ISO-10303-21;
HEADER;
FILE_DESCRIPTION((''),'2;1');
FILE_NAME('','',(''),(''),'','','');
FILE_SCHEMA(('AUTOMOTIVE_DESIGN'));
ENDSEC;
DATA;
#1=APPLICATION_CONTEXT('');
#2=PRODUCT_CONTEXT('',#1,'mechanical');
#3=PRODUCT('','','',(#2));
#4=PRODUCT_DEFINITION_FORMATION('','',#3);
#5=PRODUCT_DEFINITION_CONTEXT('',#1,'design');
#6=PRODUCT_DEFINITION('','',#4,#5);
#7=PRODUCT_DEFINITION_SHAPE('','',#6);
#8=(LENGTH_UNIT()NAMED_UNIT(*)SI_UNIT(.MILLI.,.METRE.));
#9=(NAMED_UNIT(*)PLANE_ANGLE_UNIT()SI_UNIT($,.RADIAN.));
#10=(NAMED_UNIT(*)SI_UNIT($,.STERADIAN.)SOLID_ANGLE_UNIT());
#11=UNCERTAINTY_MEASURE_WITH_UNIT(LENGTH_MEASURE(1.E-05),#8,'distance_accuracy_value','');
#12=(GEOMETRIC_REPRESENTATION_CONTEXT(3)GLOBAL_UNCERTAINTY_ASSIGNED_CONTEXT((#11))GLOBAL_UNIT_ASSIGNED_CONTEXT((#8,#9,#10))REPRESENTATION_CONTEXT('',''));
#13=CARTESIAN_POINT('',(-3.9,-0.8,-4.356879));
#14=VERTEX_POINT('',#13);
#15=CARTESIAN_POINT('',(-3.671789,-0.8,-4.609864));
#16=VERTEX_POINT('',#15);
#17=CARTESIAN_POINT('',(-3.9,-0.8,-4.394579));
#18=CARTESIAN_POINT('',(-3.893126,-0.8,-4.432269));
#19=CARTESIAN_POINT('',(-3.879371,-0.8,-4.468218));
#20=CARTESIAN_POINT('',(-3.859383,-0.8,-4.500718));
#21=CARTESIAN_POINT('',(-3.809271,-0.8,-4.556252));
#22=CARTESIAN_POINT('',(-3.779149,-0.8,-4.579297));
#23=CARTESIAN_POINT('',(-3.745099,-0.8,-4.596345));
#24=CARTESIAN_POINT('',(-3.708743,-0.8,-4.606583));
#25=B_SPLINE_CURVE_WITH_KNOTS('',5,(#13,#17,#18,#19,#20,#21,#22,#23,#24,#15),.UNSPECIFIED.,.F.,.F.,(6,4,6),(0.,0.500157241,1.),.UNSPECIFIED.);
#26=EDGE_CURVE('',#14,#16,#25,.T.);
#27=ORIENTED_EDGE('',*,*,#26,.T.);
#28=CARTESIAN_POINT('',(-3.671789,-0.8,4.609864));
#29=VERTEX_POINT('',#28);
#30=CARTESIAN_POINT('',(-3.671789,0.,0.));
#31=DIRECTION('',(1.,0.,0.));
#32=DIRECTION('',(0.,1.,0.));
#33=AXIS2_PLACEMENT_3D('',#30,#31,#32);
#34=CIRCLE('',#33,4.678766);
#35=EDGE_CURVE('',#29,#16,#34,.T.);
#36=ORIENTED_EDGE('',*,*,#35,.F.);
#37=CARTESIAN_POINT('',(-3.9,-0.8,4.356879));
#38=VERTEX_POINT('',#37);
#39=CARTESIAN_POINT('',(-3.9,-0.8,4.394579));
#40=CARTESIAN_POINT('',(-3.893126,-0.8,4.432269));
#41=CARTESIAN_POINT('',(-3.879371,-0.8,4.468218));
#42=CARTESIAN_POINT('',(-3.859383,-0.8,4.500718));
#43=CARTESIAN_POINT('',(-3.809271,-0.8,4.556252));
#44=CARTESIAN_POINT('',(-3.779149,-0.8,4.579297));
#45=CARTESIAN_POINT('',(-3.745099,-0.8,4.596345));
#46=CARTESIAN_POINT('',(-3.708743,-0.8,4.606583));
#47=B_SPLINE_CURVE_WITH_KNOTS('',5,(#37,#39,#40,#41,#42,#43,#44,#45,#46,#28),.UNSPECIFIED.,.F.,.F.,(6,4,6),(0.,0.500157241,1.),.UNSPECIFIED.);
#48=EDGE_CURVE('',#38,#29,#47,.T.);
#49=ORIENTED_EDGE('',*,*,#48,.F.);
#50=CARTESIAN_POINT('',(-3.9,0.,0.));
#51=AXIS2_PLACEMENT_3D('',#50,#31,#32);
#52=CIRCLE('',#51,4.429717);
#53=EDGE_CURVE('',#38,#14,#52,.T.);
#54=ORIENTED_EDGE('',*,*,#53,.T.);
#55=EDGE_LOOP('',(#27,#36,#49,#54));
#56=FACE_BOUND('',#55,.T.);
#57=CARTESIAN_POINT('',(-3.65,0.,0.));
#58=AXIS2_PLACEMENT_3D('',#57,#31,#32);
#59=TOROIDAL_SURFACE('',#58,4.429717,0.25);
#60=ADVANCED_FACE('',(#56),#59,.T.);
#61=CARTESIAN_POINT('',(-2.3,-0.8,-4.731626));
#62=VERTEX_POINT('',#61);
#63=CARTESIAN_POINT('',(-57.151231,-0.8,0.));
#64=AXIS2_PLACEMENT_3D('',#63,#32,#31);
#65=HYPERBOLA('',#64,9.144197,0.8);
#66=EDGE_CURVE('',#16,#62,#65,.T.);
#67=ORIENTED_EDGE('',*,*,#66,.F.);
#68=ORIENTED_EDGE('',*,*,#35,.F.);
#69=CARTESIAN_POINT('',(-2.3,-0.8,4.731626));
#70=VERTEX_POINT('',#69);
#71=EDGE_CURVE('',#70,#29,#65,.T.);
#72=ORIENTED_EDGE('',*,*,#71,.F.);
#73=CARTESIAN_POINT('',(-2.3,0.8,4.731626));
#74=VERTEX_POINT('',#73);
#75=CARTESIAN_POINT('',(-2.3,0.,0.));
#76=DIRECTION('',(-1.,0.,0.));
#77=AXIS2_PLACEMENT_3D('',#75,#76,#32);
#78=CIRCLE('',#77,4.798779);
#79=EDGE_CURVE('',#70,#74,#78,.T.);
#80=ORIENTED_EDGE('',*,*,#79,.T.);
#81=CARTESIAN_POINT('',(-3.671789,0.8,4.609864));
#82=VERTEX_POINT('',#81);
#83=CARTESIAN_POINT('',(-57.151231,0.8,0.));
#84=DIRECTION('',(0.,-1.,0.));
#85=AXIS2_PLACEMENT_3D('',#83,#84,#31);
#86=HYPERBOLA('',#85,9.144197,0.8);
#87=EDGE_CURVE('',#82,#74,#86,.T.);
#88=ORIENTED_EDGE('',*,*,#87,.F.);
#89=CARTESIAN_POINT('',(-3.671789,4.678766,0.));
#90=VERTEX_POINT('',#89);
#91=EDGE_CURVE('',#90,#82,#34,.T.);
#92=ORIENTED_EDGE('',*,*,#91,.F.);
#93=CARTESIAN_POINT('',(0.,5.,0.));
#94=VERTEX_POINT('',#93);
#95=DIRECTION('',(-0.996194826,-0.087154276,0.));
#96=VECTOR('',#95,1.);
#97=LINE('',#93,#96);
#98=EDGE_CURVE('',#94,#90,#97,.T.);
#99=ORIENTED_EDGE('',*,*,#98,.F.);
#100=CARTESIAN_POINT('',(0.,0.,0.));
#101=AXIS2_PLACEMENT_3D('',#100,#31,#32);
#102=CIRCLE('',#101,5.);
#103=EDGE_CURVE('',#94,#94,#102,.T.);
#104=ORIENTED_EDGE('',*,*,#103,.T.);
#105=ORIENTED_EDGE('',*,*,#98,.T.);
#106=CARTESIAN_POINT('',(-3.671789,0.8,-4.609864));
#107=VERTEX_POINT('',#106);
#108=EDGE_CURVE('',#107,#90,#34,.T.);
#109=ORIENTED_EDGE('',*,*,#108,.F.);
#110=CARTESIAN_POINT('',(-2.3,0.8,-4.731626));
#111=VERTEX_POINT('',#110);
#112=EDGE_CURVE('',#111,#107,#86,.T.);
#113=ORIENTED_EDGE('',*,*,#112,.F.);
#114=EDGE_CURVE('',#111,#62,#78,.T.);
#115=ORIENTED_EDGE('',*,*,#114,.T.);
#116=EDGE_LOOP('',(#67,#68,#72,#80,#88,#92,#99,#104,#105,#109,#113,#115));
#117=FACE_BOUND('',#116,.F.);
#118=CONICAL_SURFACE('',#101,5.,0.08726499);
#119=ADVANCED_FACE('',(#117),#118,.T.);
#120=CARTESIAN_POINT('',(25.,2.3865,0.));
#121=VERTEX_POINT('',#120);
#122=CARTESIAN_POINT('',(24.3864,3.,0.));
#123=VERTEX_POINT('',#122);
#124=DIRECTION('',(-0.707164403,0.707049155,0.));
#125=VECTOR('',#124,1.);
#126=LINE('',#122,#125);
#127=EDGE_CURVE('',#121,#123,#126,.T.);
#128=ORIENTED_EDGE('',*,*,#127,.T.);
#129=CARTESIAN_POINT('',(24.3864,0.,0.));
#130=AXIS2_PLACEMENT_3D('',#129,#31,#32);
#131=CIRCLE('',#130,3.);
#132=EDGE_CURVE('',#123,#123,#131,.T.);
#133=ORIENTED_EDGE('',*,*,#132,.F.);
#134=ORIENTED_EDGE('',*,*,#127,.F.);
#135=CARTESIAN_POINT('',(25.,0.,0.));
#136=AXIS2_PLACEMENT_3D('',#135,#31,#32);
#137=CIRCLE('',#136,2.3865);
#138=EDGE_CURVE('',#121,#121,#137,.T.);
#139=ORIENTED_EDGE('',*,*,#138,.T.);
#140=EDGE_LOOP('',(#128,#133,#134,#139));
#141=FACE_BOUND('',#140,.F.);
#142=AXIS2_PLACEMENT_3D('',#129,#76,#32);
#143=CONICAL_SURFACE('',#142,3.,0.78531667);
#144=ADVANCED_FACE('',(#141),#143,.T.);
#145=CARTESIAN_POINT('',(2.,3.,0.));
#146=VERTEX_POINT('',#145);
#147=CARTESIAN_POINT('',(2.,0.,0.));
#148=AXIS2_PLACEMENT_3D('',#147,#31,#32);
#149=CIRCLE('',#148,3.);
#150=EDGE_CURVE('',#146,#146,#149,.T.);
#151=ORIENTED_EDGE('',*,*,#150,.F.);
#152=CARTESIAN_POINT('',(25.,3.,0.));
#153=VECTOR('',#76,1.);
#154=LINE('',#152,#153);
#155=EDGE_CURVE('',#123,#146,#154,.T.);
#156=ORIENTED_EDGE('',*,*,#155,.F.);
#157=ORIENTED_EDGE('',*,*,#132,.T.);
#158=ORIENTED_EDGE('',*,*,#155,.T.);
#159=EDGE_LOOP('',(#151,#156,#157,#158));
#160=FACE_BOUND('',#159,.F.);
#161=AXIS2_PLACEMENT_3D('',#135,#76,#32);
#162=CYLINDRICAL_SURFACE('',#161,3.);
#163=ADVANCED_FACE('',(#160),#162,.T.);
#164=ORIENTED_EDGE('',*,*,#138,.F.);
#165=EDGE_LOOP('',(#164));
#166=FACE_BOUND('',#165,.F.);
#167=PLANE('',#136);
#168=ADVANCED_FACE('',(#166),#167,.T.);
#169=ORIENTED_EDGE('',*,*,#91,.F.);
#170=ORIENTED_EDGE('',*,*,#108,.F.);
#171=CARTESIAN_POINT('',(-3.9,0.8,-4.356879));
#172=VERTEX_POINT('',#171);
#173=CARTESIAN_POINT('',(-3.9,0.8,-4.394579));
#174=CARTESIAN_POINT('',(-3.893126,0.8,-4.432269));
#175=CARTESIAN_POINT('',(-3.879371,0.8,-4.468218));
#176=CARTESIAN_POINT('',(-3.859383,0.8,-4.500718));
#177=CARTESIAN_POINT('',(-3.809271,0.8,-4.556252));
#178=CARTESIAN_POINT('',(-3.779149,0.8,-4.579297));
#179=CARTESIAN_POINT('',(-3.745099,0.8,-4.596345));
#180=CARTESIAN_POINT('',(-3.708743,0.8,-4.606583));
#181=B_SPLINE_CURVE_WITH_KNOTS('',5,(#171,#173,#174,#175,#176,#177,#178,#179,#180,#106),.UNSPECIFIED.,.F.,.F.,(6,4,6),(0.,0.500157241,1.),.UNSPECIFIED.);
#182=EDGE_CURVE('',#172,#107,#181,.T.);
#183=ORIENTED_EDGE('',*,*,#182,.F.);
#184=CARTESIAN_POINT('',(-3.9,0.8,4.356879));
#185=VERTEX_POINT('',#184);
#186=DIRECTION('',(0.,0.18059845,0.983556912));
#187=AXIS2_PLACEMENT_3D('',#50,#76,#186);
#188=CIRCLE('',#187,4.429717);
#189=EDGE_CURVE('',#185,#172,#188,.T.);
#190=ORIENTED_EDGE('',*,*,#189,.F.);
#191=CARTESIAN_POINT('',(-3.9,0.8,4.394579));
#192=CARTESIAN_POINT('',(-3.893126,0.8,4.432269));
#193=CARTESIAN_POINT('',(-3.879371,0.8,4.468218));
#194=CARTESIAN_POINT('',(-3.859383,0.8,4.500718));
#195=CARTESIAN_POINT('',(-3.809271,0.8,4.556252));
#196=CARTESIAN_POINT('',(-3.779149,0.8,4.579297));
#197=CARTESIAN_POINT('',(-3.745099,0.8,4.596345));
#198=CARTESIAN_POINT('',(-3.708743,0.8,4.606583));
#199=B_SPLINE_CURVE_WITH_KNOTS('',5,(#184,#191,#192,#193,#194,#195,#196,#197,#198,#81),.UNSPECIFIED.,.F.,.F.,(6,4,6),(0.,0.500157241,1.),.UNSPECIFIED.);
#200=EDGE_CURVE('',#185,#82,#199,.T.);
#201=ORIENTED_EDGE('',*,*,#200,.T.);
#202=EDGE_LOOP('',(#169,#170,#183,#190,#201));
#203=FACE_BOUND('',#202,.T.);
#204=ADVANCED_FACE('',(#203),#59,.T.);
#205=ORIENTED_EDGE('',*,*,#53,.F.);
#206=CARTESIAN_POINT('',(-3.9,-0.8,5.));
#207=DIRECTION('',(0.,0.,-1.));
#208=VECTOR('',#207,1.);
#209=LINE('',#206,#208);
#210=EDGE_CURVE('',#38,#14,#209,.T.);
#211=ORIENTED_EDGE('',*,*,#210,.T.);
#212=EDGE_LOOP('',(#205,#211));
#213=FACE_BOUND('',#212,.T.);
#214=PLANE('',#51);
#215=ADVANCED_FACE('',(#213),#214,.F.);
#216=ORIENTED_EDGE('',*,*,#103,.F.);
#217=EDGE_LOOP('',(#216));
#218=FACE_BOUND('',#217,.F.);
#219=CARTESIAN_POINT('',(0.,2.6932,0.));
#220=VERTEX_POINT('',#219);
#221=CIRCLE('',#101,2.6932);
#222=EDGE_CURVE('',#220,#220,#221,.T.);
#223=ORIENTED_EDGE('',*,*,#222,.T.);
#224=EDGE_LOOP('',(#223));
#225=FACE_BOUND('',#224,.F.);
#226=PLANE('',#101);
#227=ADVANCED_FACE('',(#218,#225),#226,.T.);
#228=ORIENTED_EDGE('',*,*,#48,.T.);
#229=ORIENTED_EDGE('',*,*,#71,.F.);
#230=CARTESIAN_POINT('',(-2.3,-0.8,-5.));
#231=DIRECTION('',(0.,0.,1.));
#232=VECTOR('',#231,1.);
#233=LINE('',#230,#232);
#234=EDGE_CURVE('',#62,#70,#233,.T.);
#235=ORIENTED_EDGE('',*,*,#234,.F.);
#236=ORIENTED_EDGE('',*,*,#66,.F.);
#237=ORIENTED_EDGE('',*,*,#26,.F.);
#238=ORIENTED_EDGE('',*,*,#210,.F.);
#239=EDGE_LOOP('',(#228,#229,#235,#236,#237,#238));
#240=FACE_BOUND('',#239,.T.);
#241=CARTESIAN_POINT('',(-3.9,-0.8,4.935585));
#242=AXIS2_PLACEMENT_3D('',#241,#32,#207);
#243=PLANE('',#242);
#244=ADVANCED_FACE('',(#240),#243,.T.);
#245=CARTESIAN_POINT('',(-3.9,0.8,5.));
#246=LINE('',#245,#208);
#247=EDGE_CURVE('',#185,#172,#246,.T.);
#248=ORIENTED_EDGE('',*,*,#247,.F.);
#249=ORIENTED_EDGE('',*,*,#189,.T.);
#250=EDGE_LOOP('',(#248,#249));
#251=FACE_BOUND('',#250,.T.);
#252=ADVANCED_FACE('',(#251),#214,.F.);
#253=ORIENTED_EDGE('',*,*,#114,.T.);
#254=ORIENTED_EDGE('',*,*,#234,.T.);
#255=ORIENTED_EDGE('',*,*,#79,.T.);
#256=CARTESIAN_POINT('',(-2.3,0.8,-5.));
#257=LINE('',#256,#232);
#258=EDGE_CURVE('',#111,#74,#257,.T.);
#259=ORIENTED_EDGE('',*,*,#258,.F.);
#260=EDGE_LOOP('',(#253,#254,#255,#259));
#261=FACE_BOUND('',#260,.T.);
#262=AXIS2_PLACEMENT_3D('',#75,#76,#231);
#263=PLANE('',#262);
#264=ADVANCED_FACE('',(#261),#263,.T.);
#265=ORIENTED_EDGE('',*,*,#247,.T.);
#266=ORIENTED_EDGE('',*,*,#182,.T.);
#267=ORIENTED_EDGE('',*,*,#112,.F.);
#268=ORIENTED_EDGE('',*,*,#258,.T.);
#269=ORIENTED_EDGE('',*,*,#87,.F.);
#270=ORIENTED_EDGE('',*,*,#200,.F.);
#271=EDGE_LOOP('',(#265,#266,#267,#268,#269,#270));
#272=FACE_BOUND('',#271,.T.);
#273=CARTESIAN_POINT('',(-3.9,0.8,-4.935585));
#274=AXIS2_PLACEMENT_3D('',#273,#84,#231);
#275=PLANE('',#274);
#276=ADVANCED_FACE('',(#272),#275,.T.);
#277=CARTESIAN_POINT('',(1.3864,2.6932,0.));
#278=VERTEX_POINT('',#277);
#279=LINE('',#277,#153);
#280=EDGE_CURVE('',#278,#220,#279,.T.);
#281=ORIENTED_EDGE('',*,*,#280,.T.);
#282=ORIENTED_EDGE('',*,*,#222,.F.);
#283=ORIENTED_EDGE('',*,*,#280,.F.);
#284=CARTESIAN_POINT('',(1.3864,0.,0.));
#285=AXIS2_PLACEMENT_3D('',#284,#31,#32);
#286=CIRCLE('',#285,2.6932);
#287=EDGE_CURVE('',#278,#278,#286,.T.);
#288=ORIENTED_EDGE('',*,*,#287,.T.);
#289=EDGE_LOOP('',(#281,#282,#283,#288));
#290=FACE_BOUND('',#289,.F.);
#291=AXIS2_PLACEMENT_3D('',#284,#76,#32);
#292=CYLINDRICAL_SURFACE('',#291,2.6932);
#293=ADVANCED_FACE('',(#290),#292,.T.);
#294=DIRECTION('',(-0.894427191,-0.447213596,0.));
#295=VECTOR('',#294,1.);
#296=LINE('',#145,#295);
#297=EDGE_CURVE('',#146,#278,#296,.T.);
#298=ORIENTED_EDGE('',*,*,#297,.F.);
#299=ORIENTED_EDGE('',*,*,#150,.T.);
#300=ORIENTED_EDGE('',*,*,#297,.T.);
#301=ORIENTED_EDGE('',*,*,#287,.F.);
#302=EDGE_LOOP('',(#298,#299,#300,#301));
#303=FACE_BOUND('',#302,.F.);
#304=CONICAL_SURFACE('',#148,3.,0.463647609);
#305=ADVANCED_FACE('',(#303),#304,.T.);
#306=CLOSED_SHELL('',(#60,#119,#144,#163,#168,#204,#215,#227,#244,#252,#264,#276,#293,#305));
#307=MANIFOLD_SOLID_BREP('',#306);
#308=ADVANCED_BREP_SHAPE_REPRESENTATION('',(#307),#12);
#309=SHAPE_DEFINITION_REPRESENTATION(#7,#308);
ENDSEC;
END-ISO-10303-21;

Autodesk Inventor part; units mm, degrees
ref_plane "YZ Plane" through (0, 0, 0) normal (1, 0, 0) x (0, 1, 0)
ref_plane "XZ Plane" through (0, 0, 0) normal (0, 1, 0) x (-1, 0, 0)
sketch "Skizze1" plane through (0, 0, 0) normal (0, 0, 1) x (1, 0, 0)
  line L0 (-3.9, 0) -> (25, 0)
  line L1 (25, 0) -> (25, 3)
  line L2 (25, 3) -> (2, 3)
  line L3 (2, 3) -> (1.3864, 2.6932)
  line L4 (1.3864, 2.6932) -> (0, 2.6932)
  line L5 (0, 2.6932) -> (0, 5)
  line L6 (-9.68, 0) -> (30.78, 0) projected
  line L7 (0, -1) -> (0, 6) projected
  line L8 (-3.9, 0) -> (-3.9, 4.6588)
  line L9 (0, 5) -> (-3.9, 4.6588)
  line L10 (2, 3) -> (0, 3) construction
  dimension "d0" = 25
  dimension "d1" = 23
  dimension "d2" = 0.6136
  dimension "d3" = 3.9
  dimension "d4" = 6
  dimension "d5" = 5.3865
  dimension "d9" = 10
  dimension "d10" = 5
revolve "Körper" add sketch "Skizze1" angle 360 about axis through (-3.9, 0, 0) along (1, 0, 0)
sketch "Skizze2" plane through (-3.9, 0, 0) normal (-1, 0, 0) x (0, 0, 1)
  circle A0 centre (0, 0) radius 5 projected
  line L0 (0, 0) -> (0, 4.6588) projected
  line L1 (-5, 0.8) -> (5, 0.8)
  line L2 (5, 0.8) -> (5, -0.8)
  line L3 (5, -0.8) -> (-5, -0.8)
  line L4 (-5, -0.8) -> (-5, 0.8)
  line L5 (-5, 0) -> (5, 0) construction
  line L6 (0, 0.8) -> (0, -0.8) construction
  dimension "d11" = 1.6
  dimension "d12" = 10
fillet "Rundung1" radius 0.25 1 edges at (-3.9, -4.6588, 0)
extrude "Loch" cut sketch "Skizze2" against normal blind 1.6 contours A0 L3 L1 | L2 L3 A0 | A0 L1 L2 | A0 L4 L1 | L3 L4 A0
thread "Gewinde" size "M6x1" class "6g" standard "ISO Metric profile" length 23
chamfer "Fase1" distance 0.6135 distance2 0.6136 1 edges at (25, -3, 0) measured on face at (25, -0.7485, 1.2069)
ref_plane "Work Plane1" through (30.1625, 0, 0) normal (0, 0, -1) x (1, 0, 0)
equation "\"d11\" = SBR"
equation "\"d12\" = KOD"
equation "\"d14\" = RR"
equation "\"d19\" = STI"
equation "\"d15\" = GEL"
equation "\"d17\" = -0.5 * SPD + 0.5 * GD"
equation "\"d0\" = NLG"
equation "\"d1\" = GEL"
equation "\"d3\" = KOH"
equation "\"d4\" = GD"
equation "\"d5\" = BDM"
equation "\"d9\" = KOD"
equation "\"d10\" = KEWI"
equation "\"GD\" = NND"
equation "\"NLG\" = 25"
equation "\"GEL\" = 23"
equation "\"KOD\" = 10"
equation "\"KOH\" = 3.9"
equation "\"GAL\" = 0.61345 * PTC"
equation "\"SPD\" = NND - 1.2269 * PTC"
equation "\"BDM\" = 5.3865"
equation "\"GUL\" = 0.61345 * PTC"
equation "\"RR\" = 0.25"
equation "\"SBR\" = 1.6"
equation "\"STI\" = 1.6"
equation "\"KEWI\" = 5deg"
equation "\"PTC\" = 1"
equation "\"THREADDIA\" = 6"
equation "\"TOA\" = 30deg"
equation "\"NND\" = 6"
equation "\"GD1\" = THREADDIA - 1.2269 * PTC"
properties part number "ISO 1207  - M6 x 25" material "Edelstahl, 440C"
